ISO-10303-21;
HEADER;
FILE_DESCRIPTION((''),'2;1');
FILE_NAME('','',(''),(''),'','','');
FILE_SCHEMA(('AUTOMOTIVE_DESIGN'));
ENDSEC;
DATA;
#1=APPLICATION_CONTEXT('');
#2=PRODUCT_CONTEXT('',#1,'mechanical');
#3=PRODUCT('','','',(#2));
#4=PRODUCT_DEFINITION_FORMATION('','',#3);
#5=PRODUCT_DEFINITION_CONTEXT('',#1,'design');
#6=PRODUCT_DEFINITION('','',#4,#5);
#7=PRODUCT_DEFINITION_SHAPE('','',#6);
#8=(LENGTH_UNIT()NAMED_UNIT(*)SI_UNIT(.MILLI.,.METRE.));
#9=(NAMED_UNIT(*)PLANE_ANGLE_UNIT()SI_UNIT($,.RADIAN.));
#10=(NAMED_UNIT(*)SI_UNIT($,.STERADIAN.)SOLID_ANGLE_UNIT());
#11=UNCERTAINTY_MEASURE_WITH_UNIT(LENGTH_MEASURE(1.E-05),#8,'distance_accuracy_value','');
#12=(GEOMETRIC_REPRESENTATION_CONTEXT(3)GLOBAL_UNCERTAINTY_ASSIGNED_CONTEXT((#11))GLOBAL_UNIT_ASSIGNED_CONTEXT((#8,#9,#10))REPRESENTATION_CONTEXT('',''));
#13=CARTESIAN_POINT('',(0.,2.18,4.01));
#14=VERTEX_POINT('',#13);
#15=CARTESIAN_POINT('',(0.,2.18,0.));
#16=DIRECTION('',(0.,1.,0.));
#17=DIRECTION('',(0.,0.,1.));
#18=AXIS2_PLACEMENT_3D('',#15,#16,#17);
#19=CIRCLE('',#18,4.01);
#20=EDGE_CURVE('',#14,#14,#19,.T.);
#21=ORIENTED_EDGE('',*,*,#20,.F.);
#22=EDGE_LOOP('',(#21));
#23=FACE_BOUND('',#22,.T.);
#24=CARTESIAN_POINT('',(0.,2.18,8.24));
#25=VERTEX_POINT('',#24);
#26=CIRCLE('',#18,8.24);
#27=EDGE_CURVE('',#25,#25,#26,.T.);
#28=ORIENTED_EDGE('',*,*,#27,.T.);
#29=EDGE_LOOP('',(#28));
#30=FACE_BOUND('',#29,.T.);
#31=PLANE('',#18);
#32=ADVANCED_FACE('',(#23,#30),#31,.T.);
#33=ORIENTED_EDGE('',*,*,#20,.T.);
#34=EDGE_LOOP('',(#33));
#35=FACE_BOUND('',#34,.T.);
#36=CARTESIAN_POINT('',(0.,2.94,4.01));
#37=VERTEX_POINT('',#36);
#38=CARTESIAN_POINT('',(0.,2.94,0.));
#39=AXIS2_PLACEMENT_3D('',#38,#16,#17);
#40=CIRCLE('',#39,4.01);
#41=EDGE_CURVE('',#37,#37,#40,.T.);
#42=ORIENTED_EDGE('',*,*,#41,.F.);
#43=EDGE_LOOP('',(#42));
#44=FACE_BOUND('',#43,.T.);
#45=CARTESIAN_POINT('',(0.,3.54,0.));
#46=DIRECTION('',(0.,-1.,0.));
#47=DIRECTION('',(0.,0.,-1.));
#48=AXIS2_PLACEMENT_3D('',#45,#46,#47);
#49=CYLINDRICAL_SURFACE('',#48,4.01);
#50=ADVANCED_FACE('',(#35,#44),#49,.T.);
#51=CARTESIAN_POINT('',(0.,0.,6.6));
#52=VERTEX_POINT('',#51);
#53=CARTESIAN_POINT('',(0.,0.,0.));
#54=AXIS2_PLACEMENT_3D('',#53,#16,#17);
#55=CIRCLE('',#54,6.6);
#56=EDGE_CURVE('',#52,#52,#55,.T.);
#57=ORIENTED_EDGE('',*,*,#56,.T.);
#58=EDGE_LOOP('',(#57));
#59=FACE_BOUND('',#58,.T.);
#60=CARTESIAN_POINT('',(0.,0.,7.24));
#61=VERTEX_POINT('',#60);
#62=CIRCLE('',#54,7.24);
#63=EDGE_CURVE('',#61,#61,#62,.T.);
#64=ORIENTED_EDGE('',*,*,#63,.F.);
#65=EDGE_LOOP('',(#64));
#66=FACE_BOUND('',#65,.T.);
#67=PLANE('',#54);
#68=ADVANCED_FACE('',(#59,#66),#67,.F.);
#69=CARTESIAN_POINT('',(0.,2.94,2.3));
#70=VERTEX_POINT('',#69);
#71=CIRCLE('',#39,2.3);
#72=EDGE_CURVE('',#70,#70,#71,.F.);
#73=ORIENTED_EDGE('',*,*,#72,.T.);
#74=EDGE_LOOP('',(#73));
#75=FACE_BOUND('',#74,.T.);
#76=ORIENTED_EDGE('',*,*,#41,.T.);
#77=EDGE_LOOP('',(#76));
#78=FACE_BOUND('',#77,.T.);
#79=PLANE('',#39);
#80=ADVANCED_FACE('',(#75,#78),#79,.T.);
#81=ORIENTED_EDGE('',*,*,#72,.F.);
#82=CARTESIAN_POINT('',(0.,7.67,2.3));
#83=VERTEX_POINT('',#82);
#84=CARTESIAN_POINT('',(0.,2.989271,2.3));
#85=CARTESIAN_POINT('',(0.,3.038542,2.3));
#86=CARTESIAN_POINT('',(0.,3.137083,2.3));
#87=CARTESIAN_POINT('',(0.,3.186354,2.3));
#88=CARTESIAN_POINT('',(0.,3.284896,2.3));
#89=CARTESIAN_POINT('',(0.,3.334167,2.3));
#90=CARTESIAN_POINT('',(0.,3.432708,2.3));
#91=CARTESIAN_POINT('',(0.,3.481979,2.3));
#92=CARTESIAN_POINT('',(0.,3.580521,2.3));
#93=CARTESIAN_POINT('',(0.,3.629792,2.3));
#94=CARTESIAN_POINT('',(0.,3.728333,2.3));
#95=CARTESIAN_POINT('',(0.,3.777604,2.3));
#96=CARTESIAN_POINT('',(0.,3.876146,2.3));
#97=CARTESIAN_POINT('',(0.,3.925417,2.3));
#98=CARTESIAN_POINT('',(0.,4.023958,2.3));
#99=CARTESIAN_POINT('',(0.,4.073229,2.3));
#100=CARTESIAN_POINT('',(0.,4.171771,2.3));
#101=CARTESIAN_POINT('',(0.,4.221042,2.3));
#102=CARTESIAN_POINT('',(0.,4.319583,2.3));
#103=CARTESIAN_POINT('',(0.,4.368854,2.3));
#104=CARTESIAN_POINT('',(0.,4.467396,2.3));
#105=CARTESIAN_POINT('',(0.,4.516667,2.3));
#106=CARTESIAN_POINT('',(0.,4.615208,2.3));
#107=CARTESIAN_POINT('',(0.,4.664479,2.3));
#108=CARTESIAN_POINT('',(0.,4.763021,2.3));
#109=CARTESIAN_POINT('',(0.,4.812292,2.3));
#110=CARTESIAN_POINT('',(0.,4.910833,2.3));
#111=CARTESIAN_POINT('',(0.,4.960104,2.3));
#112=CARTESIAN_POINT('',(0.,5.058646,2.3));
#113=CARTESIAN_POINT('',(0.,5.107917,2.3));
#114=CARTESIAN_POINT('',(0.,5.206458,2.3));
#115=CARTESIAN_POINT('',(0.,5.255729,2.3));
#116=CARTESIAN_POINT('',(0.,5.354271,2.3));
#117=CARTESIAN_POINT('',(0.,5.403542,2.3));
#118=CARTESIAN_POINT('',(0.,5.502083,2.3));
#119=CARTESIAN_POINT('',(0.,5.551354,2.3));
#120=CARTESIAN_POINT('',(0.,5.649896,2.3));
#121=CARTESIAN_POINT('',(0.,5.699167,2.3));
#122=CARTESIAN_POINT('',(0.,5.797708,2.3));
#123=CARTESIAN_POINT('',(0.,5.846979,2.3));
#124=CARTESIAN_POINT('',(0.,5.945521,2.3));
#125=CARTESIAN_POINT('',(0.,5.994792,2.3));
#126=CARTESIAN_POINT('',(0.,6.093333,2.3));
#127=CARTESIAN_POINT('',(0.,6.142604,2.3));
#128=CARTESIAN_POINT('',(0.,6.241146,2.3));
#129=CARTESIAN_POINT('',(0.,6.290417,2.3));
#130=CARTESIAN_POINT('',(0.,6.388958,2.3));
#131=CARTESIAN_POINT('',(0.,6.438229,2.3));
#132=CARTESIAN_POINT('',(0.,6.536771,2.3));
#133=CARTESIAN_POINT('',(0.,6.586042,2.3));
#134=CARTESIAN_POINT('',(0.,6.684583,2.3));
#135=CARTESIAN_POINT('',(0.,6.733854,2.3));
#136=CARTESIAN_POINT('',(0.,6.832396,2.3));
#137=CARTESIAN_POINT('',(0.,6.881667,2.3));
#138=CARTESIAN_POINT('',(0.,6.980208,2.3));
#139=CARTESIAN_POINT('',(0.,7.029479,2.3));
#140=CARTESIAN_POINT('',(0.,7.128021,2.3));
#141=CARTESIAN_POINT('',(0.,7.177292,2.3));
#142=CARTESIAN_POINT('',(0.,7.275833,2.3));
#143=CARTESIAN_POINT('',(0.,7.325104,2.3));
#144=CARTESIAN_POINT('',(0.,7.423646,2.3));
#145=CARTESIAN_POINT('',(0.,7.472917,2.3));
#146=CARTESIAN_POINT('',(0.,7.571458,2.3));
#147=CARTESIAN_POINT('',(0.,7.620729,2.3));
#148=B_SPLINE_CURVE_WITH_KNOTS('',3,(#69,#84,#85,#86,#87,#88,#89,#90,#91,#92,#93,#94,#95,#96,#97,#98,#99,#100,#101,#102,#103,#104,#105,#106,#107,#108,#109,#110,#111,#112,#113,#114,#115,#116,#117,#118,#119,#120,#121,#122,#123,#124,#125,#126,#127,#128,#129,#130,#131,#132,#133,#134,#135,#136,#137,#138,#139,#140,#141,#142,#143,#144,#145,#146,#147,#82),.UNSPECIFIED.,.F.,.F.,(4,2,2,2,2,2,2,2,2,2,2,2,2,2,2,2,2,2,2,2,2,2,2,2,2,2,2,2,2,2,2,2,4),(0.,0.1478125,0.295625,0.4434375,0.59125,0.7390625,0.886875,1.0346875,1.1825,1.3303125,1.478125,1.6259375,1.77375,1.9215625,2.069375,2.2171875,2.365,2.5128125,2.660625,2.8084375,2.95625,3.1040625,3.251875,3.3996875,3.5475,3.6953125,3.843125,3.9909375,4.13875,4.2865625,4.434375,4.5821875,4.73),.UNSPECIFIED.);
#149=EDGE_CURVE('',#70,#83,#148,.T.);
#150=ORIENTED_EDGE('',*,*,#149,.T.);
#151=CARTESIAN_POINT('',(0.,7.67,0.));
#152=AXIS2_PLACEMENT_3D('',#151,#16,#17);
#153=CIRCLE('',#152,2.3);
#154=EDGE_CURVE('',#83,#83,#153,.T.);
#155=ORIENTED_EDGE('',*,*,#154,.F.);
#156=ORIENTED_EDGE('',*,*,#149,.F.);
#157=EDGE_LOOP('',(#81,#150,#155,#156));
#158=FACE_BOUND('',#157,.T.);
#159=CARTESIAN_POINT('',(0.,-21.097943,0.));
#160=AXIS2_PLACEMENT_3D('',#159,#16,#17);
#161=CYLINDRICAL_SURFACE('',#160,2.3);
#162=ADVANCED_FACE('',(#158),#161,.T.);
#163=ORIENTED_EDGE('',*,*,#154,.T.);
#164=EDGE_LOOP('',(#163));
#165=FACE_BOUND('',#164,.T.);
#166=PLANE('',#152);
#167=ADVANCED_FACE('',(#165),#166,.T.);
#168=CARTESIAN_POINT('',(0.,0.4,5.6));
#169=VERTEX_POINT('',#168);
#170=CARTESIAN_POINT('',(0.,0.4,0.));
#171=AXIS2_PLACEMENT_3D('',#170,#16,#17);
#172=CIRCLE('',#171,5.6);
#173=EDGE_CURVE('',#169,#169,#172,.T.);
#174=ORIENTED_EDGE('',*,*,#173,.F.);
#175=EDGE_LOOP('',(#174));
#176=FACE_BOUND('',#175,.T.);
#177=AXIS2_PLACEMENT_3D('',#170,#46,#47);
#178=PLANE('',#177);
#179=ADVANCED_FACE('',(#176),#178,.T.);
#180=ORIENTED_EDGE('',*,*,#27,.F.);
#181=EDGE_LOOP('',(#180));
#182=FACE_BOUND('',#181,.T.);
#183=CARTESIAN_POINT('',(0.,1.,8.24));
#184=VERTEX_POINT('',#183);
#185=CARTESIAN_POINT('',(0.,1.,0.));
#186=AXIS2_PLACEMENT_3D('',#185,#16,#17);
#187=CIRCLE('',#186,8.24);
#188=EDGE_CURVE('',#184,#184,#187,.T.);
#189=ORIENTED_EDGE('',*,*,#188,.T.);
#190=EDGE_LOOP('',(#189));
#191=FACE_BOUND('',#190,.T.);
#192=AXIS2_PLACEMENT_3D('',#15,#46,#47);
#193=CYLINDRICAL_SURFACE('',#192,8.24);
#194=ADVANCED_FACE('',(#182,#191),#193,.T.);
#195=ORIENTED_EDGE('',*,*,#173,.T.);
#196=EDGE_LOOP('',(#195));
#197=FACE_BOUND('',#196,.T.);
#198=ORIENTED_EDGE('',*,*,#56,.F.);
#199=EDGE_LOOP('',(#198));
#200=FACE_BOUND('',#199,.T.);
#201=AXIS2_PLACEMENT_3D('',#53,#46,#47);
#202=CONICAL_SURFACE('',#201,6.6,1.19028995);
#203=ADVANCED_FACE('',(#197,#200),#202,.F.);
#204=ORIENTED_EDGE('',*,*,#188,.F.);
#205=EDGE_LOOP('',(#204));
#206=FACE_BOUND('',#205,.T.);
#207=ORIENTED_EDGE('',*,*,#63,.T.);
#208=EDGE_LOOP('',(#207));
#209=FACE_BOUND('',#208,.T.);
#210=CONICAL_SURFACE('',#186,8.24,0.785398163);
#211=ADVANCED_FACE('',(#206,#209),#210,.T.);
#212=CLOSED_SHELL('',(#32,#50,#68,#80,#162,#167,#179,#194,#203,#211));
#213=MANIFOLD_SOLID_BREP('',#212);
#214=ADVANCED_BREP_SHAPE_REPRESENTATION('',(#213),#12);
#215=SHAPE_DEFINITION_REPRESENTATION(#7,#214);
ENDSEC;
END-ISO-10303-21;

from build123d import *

# Parameters (mm, degrees)
SKETCH_3_R          = 8.24
EXTRUDE_5_DEPTH     = 2.18
SKETCH_7_R          = 4.01
EXTRUDE_6_DEPTH     = 1.36
SKETCH_8_R          = 2.42
EXTRUDE_7_DEPTH     = 4.28
SKETCH_9_R          = 5.6
CUT_EXTRUDE_3_DEPTH = 0.4
CUT_EXTRUDE_START   = -0.6
SKETCH_12_R         = 4.01
SKETCH_12_R_2       = 2.42
CUT_EXTRUDE_5_DEPTH = 0.6
SKETCH_13_OUTSIDE_W = 23.396
SKETCH_13_OUTSIDE_H = 23.396
SKETCH_13_OUTSIDE_R = 2.3
CUT_EXTRUDE_6_DEPTH = 4.88
SKETCH_14_R         = 2.3
CUT_EXTRUDE_7_DEPTH = 0.15


with BuildPart() as part:
    # 草图3 → 凸台-拉伸5 (new body)
    with BuildSketch(Plane(origin=(0, 0, 0), x_dir=(1, 0, 0), z_dir=(0, 1, 0))):
        with Locations(Location((0, 0, 0), (0, 0, 270))):
            Circle(SKETCH_3_R)
    extrude(amount=EXTRUDE_5_DEPTH)

    # 草图7 → 凸台-拉伸6 (add)
    with BuildSketch(Plane(origin=(0, 2.18, 0), x_dir=(1, 0, 0), z_dir=(0, 1, 0))):
        with Locations(Location((0, 0, 0), (0, 0, 270))):
            Circle(SKETCH_7_R)
    extrude(amount=EXTRUDE_6_DEPTH)

    # 草图8 → 凸台-拉伸7 (add)
    with BuildSketch(Plane(origin=(0, 3.54, 0), x_dir=(1, 0, 0), z_dir=(0, 1, 0))):
        with Locations(Location((0, 0, 0), (0, 0, 270))):
            Circle(SKETCH_8_R)
    extrude(amount=EXTRUDE_7_DEPTH)

    # 草图9 → 切除-拉伸3 (cut)
    with BuildSketch(Plane.XZ):
        with Locations(Location((0, 0, 0), (0, 0, 270))):
            Circle(SKETCH_9_R)
    extrude(amount=-CUT_EXTRUDE_3_DEPTH, mode=Mode.SUBTRACT)

    # 草图10 → 切除-旋转1 (revolve, cut)
    with BuildSketch(Plane.XY, mode=Mode.PRIVATE) as cut_revolve_1_sk:
        Polygon((5.6, 0.4), (6.6, 0), (5.6, 0), align=None)
    revolve(cut_revolve_1_sk.sketch.rotate(Axis((0, 7.82, 0), (0, -1, 0)), 90), axis=Axis((0, 7.82, 0), (0, -1, 0)), mode=Mode.SUBTRACT)

    # 草图11 → 切除-旋转2 (revolve, cut)
    with BuildSketch(Plane.XY, mode=Mode.PRIVATE) as cut_revolve_2_sk:
        Polygon((8.24, 0), (8.24, 1), (7.24, 0), align=None)
    revolve(cut_revolve_2_sk.sketch.rotate(Axis((0, 2.18, 0), (0, -1, 0)), 90), axis=Axis((0, 2.18, 0), (0, -1, 0)), mode=Mode.SUBTRACT)

    # 草图12 → 切除-拉伸5 (cut)
    with BuildSketch(Plane(origin=(0, 3.54, 0), x_dir=(1, 0, 0), z_dir=(0, 1, 0)).offset(CUT_EXTRUDE_START)):
        with Locations(Location((0, 0, 0), (0, 0, 270))):
            Circle(SKETCH_12_R)
        with Locations(Location((0, 0, 0), (0, 0, 270))):
            Circle(SKETCH_12_R_2, mode=Mode.SUBTRACT)
    extrude(amount=CUT_EXTRUDE_5_DEPTH, mode=Mode.SUBTRACT)

    # 草图13 outside → 切除-拉伸6 (cut)
    with BuildSketch(Plane(origin=(0, 7.82, 0), x_dir=(1, 0, 0), z_dir=(0, 1, 0))):
        Rectangle(SKETCH_13_OUTSIDE_W, SKETCH_13_OUTSIDE_H)
        with Locations(Location((0, 0, 0), (0, 0, 270))):
            Circle(SKETCH_13_OUTSIDE_R, mode=Mode.SUBTRACT)
    extrude(amount=-CUT_EXTRUDE_6_DEPTH, mode=Mode.SUBTRACT)

    # 草图14 → 切除-拉伸7 (cut)
    with BuildSketch(Plane(origin=(0, 7.82, 0), x_dir=(1, 0, 0), z_dir=(0, 1, 0))):
        with Locations(Location((0, 0, 0), (0, 0, 270))):
            Circle(SKETCH_14_R)
    extrude(amount=-CUT_EXTRUDE_7_DEPTH, mode=Mode.SUBTRACT)


solid = part.part
